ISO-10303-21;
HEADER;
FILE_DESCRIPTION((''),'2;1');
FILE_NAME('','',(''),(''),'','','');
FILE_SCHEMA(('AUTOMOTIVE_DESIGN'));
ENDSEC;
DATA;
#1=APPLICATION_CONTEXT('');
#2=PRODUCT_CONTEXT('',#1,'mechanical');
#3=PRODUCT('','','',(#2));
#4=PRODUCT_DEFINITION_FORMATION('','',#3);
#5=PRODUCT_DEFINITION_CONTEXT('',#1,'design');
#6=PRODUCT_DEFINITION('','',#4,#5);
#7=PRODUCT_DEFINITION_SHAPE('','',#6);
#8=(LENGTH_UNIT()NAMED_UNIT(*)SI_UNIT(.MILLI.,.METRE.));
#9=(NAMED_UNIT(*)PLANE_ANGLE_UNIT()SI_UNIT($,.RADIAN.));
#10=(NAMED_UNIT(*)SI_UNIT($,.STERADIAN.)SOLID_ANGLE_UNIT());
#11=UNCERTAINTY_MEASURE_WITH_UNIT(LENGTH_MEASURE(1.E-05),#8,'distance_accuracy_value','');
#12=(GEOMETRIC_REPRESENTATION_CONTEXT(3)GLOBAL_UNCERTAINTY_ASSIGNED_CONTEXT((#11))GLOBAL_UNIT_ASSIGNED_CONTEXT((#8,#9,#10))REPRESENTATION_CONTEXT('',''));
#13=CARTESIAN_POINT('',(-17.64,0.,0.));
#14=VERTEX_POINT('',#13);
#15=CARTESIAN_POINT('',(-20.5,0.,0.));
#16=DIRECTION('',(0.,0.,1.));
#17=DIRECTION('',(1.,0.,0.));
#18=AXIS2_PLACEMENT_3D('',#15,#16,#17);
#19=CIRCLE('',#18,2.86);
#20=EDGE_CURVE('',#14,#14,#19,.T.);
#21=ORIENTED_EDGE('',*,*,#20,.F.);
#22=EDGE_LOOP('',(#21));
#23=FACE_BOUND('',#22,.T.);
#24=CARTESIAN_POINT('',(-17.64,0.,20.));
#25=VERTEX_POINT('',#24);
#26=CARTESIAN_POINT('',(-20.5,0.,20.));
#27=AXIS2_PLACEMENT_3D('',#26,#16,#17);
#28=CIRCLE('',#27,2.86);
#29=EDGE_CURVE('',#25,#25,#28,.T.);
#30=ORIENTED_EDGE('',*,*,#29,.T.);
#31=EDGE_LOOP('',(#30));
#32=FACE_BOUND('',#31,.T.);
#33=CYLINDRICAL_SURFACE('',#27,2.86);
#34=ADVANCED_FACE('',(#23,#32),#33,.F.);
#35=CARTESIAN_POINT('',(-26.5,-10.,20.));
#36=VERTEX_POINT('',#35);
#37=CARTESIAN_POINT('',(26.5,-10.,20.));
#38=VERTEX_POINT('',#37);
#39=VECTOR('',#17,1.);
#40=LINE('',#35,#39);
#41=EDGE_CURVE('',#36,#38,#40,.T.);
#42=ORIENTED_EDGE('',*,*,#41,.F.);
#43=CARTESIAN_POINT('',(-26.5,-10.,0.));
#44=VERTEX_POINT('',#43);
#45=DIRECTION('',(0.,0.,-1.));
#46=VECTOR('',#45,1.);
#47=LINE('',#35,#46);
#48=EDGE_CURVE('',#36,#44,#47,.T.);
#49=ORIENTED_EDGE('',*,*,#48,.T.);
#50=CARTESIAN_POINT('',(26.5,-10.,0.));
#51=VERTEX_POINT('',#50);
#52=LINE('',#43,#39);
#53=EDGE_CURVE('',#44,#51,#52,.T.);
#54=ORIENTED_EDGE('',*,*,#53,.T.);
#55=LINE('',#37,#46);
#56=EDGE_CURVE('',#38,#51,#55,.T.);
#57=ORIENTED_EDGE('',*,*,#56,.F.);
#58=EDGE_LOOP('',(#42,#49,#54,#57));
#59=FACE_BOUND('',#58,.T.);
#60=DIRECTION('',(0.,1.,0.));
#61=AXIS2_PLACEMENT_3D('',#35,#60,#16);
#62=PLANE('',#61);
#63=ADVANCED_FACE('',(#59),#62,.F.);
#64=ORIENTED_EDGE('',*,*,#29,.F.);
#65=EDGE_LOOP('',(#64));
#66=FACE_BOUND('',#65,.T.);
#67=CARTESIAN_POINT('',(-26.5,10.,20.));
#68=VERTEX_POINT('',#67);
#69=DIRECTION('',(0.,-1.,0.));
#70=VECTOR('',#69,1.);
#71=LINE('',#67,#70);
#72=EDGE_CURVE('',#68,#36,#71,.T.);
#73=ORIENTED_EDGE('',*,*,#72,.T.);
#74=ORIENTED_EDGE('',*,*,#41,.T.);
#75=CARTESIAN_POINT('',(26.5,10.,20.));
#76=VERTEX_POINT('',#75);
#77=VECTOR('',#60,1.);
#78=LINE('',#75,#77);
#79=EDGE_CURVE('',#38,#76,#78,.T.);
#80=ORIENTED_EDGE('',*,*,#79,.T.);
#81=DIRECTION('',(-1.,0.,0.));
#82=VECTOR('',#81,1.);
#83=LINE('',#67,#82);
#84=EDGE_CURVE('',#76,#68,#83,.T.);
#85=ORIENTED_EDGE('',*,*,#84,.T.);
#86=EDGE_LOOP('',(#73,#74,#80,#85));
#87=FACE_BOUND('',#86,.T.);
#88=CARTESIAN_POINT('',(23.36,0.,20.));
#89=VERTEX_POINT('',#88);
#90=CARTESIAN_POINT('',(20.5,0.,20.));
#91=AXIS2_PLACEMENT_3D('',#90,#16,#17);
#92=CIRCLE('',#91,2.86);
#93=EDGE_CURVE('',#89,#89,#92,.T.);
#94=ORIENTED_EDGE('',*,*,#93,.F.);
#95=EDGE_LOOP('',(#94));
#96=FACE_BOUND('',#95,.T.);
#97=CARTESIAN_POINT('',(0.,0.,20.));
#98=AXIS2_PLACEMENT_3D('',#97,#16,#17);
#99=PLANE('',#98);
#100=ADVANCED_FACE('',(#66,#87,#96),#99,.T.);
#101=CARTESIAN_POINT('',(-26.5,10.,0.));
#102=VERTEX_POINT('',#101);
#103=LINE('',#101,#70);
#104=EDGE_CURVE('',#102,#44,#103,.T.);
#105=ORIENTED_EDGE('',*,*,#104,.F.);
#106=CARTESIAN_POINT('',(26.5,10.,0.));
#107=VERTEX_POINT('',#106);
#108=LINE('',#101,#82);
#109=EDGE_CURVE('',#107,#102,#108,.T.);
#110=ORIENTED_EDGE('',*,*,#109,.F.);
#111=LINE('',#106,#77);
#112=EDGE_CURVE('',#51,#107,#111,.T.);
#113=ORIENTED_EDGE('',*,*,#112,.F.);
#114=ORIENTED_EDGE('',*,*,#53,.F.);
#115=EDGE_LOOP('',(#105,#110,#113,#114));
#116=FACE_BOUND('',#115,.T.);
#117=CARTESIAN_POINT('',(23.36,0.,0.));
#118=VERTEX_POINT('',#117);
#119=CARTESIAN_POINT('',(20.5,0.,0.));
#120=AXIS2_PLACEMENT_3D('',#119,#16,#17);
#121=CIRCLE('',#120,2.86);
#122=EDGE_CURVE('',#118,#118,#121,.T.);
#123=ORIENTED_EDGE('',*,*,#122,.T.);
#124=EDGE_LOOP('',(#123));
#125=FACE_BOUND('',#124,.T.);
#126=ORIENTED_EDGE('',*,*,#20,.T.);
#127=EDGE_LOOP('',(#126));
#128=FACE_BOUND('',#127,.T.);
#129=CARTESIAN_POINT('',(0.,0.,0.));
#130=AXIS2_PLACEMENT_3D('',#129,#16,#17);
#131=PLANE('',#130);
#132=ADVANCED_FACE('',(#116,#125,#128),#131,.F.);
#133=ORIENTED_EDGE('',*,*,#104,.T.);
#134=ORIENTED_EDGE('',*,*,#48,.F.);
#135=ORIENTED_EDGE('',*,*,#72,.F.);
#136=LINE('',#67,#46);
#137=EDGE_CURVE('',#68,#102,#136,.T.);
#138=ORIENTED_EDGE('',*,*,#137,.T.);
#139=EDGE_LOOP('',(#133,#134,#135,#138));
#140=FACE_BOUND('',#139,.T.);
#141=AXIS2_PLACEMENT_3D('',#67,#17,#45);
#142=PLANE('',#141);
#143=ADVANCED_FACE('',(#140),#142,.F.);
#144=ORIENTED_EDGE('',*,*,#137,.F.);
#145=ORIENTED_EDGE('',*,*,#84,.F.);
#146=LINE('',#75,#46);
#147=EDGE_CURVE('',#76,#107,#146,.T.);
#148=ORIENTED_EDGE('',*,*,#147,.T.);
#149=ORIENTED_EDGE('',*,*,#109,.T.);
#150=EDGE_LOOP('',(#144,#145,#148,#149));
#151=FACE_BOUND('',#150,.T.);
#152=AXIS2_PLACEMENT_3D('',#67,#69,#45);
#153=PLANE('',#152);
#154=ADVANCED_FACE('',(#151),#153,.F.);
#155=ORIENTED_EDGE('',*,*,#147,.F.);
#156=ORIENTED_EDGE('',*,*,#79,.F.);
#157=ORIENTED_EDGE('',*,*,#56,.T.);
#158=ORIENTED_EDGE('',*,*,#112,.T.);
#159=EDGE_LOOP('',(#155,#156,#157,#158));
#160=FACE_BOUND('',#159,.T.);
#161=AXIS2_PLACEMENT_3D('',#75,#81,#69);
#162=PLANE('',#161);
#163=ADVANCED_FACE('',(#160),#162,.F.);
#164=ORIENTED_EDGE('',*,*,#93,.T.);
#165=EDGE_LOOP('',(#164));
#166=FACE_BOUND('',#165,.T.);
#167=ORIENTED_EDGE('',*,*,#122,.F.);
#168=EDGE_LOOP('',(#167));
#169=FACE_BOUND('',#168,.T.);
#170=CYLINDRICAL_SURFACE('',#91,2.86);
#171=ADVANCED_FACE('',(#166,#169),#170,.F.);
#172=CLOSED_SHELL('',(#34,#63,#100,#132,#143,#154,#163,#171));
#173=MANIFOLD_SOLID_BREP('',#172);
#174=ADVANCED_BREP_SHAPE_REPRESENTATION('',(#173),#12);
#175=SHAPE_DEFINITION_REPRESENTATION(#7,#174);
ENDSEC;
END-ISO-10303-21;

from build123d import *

# Parameters (mm, degrees)
SKETCH_1_W         = 53
SKETCH_1_H         = 20
EXTRUDE_1_DEPTH    = 20
HOLE_WIZARD_M4_1_D = 5.72


with BuildPart() as part:
    # 스케치1 → 보스-돌출1 (new body)
    with BuildSketch(Plane.XY):
        Rectangle(SKETCH_1_W, SKETCH_1_H)
    extrude(amount=EXTRUDE_1_DEPTH)

    # M4 여유 구멍1 (through all)
    with Locations(Plane.XY.offset(20)):
        with Locations((-20.5, 0), (20.5, 0)):
            Hole(HOLE_WIZARD_M4_1_D / 2)


solid = part.part
